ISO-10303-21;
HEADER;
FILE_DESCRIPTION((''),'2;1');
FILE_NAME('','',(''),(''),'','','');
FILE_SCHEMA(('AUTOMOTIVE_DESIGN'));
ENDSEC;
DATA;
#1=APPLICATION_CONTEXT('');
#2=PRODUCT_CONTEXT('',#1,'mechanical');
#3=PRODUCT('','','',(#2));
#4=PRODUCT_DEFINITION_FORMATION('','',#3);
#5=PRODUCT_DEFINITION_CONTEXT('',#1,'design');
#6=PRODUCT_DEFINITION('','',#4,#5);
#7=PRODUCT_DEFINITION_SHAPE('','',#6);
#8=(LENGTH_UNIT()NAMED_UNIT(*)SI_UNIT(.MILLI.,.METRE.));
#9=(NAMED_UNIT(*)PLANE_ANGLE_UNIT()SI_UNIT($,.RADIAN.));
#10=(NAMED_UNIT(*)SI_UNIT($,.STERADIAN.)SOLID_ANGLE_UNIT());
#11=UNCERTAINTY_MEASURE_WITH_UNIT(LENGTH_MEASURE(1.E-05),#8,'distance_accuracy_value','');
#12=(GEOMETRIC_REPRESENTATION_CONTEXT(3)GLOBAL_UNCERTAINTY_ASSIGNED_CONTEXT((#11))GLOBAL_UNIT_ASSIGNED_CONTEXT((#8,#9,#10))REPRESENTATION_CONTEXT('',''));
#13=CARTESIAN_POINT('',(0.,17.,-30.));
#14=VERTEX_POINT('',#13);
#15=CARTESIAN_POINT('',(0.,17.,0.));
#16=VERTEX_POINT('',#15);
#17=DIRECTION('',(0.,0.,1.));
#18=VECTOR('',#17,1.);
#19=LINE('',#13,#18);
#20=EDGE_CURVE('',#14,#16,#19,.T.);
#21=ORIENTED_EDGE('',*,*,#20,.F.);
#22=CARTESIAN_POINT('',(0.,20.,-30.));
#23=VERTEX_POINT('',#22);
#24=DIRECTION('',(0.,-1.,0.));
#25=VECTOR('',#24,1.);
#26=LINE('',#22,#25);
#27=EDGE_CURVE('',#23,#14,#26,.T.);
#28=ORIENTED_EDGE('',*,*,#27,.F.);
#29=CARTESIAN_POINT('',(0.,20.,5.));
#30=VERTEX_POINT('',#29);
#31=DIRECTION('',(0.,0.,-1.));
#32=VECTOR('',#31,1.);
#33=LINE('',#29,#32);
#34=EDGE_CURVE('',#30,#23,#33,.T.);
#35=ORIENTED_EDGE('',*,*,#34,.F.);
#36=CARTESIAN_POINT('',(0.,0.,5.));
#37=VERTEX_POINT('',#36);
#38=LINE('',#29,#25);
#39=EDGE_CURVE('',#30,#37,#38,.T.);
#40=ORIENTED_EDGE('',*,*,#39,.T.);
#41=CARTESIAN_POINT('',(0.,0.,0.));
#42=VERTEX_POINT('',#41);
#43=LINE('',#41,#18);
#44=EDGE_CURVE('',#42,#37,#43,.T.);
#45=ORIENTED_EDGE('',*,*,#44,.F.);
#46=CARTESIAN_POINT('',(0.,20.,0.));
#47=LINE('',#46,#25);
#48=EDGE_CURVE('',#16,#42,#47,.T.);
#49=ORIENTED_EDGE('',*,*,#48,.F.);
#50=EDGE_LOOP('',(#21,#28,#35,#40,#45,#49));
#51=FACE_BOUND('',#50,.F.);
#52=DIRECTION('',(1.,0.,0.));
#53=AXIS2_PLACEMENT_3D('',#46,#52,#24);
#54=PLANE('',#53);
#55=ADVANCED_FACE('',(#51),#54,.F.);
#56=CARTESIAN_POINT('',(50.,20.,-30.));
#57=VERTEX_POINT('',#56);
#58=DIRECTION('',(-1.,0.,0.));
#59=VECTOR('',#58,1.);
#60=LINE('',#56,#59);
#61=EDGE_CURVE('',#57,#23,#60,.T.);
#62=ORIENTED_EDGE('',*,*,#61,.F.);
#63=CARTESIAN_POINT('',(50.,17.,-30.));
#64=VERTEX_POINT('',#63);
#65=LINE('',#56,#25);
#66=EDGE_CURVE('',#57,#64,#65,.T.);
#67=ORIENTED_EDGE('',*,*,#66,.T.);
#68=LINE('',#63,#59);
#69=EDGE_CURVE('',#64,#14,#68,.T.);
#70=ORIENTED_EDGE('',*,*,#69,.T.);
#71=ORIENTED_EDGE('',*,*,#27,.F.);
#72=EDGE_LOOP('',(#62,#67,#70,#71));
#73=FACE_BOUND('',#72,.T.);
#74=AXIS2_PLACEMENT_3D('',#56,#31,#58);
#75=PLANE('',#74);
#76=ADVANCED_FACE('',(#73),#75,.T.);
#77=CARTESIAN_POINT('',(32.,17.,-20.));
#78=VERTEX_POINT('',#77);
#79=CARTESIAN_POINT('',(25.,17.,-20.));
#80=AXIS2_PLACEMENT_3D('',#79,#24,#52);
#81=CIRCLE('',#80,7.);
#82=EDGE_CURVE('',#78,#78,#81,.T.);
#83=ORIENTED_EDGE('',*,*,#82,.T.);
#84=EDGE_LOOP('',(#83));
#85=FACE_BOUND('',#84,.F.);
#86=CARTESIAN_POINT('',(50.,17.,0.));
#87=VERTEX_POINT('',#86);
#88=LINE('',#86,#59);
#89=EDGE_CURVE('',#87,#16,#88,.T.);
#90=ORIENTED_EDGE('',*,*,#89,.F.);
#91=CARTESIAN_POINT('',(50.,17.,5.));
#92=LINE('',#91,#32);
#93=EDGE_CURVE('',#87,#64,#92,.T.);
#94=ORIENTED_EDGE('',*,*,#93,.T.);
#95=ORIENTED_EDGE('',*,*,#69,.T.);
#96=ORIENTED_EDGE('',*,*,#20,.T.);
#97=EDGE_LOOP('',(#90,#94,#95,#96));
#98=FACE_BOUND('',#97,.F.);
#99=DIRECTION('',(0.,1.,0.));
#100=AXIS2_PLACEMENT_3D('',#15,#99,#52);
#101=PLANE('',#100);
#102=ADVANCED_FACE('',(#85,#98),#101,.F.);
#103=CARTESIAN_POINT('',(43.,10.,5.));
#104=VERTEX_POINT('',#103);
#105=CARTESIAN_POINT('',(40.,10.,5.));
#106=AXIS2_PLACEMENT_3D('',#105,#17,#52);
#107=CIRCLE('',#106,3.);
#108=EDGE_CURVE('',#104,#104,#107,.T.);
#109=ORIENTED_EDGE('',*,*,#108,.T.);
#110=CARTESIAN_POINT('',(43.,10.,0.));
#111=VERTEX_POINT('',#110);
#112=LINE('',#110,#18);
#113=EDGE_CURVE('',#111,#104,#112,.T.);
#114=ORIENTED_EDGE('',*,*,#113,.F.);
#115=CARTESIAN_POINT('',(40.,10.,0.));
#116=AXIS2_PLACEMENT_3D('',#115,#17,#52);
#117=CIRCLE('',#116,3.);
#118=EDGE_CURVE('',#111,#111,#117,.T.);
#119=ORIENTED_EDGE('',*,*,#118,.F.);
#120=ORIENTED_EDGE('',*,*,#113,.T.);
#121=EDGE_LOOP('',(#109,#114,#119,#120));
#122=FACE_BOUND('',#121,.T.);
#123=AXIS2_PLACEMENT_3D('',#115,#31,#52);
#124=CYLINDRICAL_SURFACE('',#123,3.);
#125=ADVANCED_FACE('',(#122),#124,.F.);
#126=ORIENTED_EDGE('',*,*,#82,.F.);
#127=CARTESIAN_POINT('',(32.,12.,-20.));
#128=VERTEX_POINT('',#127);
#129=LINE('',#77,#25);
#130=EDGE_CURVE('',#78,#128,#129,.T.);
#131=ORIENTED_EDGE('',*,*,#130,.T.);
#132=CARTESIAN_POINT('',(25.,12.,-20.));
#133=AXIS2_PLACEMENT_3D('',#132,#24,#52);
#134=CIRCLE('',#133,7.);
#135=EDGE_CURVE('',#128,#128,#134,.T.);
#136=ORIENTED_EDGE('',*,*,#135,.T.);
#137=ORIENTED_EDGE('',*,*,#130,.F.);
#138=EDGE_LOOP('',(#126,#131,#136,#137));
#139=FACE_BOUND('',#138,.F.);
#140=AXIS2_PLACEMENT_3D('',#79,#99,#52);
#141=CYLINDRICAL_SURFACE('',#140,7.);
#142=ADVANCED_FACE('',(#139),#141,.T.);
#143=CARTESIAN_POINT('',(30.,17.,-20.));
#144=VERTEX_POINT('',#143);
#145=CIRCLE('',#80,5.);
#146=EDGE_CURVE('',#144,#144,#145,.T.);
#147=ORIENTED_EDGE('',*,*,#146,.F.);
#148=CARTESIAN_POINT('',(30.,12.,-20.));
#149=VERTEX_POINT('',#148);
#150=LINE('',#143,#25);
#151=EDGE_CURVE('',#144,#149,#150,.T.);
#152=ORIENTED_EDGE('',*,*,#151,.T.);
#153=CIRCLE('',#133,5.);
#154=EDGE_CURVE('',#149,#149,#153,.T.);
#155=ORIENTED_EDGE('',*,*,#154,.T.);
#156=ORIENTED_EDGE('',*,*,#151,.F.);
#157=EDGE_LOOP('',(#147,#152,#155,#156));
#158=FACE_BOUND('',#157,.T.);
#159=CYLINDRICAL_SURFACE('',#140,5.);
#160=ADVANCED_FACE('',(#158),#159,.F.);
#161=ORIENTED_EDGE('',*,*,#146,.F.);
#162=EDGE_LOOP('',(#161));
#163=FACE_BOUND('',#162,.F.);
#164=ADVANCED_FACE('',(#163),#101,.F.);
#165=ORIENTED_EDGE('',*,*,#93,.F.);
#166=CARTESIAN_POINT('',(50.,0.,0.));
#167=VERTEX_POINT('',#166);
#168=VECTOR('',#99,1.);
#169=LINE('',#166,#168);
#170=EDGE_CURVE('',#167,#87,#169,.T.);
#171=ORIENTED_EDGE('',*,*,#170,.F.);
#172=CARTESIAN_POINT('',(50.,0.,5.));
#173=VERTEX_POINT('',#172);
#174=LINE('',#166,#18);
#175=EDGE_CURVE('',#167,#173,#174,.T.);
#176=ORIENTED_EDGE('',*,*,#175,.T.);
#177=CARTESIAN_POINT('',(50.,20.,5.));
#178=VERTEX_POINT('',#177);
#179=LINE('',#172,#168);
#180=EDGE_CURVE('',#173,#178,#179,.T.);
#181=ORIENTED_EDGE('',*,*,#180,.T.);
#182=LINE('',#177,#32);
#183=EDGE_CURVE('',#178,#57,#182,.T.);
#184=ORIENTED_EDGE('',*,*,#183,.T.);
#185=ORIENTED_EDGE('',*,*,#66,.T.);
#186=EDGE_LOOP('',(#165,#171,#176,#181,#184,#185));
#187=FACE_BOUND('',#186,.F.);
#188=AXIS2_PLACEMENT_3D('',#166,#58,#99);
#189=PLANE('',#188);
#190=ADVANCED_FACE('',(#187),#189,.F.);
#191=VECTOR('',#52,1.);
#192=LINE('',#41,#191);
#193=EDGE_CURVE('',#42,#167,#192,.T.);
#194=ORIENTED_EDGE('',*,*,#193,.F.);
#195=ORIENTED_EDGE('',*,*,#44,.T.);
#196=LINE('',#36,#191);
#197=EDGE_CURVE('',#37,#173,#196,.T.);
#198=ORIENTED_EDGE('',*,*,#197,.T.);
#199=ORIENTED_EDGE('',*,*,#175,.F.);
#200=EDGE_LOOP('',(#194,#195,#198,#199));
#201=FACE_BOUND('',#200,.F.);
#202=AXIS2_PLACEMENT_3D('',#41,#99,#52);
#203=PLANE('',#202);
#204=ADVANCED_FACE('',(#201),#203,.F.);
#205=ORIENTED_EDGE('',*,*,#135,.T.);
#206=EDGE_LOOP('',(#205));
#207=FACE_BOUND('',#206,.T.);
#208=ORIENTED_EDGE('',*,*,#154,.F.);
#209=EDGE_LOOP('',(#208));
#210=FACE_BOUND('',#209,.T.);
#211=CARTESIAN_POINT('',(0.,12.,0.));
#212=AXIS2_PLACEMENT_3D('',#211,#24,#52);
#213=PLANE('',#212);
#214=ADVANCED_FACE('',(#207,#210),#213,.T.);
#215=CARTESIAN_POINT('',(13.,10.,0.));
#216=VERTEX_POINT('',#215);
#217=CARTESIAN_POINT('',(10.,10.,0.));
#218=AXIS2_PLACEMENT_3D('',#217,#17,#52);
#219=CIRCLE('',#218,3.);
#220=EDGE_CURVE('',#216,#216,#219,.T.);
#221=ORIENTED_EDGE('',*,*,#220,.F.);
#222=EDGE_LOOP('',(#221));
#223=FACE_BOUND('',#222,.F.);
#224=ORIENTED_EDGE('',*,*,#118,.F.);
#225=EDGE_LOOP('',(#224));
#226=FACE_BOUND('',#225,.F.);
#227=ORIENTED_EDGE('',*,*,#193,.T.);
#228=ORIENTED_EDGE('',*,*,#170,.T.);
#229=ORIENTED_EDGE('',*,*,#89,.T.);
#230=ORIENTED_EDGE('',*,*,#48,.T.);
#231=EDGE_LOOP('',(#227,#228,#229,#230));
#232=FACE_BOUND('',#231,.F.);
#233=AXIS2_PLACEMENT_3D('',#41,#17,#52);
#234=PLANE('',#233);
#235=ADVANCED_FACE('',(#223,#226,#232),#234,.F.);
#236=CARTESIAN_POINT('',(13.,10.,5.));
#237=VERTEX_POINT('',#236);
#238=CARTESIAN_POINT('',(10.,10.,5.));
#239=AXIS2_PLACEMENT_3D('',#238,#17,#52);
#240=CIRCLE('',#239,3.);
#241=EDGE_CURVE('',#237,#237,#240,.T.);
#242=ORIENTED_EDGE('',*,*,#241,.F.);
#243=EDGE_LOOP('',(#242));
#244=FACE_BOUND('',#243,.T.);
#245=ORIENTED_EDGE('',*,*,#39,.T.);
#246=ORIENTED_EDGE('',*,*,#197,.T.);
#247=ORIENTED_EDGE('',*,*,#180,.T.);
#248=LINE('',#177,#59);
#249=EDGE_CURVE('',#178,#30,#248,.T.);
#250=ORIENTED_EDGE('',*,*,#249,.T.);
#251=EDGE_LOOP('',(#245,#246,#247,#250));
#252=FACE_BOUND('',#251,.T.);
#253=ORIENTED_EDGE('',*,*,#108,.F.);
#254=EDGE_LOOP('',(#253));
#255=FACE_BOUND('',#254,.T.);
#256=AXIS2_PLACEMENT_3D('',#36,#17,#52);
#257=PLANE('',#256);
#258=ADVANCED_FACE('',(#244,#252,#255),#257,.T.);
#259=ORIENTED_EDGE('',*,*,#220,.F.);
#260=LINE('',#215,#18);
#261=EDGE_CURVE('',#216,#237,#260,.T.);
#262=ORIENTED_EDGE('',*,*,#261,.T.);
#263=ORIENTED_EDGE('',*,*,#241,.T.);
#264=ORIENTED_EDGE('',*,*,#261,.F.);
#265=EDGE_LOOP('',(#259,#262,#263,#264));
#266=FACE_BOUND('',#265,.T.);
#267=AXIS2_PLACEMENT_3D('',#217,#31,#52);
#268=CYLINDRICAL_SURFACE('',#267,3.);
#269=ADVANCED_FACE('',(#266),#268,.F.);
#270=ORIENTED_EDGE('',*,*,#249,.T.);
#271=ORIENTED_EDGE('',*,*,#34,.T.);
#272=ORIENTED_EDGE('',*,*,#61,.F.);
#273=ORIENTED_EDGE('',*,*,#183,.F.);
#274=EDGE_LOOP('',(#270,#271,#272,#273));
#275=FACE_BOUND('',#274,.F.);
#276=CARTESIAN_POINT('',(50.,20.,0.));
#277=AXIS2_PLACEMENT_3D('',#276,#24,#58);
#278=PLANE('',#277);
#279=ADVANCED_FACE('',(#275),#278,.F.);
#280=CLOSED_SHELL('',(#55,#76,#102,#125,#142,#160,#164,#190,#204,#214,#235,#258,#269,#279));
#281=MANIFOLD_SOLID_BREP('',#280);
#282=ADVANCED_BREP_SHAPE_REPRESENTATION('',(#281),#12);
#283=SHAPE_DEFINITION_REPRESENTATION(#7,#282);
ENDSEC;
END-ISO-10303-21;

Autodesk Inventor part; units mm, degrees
ref_plane "YZ Plane" through (0, 0, 0) normal (1, 0, 0) x (0, 1, 0)
ref_plane "XZ Plane" through (0, 0, 0) normal (0, 1, 0) x (-1, 0, 0)
ref_plane "XY Plane" through (0, 0, 0) normal (0, 0, 1) x (1, 0, 0)
sketch "Sketch5" plane through (0, 0, 0) normal (0, 0, 1) x (1, 0, 0)
  line L0 (0, 0) -> (50, 0)
  line L1 (50, 0) -> (50, 20)
  line L2 (50, 20) -> (0, 20)
  line L3 (0, 20) -> (0, 0)
  circle A0 centre (10, 10) radius 3
  circle A1 centre (40, 10) radius 3
  dimension "d43" = 50
  dimension "d44" = 20
  dimension "d47" = 6
  dimension "d48" = 6
  dimension "d49" = 10
  dimension "d50" = 10
  dimension "d51" = 10
  dimension "d52" = 10
extrude "Extrusion5" add sketch "Sketch5" along normal blind 5
sketch "Sketch8" plane through (0, 20, 0) normal (0, 1, 0) x (1, 0, 0)
  line L0 (50, 0) -> (0, 0) projected
  line L1 (0, 0) -> (0, -5) projected
  line L2 (50, -5) -> (0, -5) projected
  line L3 (50, 0) -> (50, -5) projected
  line L4 (0, -5) -> (50, -5)
  line L5 (50, -5) -> (50, 30)
  line L6 (50, 30) -> (0, 30)
  line L7 (0, 30) -> (0, -5)
  line L8 (0, 30) -> (0, 15) construction
  line L9 (0, 0) -> (0, 25) construction
  dimension "d55" = 50
  dimension "d56" = 35
extrude "Extrusion6" add sketch "Sketch8" against normal blind 3 contours L0 L7 L6 L5
sketch "Sketch10" plane through (0, 17, 0) normal (0, -1, 0) x (1, 0, 0)
  line L0 (0, 0) -> (50, 0) projected
  line L1 (50, -30) -> (50, 0) projected
  line L2 (25, 0) -> (25, -50.2425) construction
  line L3 (25, 0) -> (25, -20) construction
  line L4 (25, -20) -> (44.8883, -20) construction
  line L5 (44.8883, -20) -> (4.4649, -20) construction
  circle A0 centre (25, -20) radius 5
  circle A1 centre (25, -20) radius 7
  dimension "d68" = 20
  dimension "d69" = 10
  dimension "d70" = 14
extrude "Extrusion8" add sketch "Sketch10" along normal blind 5
properties part number "z smooth rod mount" material "ABS Plastic"
